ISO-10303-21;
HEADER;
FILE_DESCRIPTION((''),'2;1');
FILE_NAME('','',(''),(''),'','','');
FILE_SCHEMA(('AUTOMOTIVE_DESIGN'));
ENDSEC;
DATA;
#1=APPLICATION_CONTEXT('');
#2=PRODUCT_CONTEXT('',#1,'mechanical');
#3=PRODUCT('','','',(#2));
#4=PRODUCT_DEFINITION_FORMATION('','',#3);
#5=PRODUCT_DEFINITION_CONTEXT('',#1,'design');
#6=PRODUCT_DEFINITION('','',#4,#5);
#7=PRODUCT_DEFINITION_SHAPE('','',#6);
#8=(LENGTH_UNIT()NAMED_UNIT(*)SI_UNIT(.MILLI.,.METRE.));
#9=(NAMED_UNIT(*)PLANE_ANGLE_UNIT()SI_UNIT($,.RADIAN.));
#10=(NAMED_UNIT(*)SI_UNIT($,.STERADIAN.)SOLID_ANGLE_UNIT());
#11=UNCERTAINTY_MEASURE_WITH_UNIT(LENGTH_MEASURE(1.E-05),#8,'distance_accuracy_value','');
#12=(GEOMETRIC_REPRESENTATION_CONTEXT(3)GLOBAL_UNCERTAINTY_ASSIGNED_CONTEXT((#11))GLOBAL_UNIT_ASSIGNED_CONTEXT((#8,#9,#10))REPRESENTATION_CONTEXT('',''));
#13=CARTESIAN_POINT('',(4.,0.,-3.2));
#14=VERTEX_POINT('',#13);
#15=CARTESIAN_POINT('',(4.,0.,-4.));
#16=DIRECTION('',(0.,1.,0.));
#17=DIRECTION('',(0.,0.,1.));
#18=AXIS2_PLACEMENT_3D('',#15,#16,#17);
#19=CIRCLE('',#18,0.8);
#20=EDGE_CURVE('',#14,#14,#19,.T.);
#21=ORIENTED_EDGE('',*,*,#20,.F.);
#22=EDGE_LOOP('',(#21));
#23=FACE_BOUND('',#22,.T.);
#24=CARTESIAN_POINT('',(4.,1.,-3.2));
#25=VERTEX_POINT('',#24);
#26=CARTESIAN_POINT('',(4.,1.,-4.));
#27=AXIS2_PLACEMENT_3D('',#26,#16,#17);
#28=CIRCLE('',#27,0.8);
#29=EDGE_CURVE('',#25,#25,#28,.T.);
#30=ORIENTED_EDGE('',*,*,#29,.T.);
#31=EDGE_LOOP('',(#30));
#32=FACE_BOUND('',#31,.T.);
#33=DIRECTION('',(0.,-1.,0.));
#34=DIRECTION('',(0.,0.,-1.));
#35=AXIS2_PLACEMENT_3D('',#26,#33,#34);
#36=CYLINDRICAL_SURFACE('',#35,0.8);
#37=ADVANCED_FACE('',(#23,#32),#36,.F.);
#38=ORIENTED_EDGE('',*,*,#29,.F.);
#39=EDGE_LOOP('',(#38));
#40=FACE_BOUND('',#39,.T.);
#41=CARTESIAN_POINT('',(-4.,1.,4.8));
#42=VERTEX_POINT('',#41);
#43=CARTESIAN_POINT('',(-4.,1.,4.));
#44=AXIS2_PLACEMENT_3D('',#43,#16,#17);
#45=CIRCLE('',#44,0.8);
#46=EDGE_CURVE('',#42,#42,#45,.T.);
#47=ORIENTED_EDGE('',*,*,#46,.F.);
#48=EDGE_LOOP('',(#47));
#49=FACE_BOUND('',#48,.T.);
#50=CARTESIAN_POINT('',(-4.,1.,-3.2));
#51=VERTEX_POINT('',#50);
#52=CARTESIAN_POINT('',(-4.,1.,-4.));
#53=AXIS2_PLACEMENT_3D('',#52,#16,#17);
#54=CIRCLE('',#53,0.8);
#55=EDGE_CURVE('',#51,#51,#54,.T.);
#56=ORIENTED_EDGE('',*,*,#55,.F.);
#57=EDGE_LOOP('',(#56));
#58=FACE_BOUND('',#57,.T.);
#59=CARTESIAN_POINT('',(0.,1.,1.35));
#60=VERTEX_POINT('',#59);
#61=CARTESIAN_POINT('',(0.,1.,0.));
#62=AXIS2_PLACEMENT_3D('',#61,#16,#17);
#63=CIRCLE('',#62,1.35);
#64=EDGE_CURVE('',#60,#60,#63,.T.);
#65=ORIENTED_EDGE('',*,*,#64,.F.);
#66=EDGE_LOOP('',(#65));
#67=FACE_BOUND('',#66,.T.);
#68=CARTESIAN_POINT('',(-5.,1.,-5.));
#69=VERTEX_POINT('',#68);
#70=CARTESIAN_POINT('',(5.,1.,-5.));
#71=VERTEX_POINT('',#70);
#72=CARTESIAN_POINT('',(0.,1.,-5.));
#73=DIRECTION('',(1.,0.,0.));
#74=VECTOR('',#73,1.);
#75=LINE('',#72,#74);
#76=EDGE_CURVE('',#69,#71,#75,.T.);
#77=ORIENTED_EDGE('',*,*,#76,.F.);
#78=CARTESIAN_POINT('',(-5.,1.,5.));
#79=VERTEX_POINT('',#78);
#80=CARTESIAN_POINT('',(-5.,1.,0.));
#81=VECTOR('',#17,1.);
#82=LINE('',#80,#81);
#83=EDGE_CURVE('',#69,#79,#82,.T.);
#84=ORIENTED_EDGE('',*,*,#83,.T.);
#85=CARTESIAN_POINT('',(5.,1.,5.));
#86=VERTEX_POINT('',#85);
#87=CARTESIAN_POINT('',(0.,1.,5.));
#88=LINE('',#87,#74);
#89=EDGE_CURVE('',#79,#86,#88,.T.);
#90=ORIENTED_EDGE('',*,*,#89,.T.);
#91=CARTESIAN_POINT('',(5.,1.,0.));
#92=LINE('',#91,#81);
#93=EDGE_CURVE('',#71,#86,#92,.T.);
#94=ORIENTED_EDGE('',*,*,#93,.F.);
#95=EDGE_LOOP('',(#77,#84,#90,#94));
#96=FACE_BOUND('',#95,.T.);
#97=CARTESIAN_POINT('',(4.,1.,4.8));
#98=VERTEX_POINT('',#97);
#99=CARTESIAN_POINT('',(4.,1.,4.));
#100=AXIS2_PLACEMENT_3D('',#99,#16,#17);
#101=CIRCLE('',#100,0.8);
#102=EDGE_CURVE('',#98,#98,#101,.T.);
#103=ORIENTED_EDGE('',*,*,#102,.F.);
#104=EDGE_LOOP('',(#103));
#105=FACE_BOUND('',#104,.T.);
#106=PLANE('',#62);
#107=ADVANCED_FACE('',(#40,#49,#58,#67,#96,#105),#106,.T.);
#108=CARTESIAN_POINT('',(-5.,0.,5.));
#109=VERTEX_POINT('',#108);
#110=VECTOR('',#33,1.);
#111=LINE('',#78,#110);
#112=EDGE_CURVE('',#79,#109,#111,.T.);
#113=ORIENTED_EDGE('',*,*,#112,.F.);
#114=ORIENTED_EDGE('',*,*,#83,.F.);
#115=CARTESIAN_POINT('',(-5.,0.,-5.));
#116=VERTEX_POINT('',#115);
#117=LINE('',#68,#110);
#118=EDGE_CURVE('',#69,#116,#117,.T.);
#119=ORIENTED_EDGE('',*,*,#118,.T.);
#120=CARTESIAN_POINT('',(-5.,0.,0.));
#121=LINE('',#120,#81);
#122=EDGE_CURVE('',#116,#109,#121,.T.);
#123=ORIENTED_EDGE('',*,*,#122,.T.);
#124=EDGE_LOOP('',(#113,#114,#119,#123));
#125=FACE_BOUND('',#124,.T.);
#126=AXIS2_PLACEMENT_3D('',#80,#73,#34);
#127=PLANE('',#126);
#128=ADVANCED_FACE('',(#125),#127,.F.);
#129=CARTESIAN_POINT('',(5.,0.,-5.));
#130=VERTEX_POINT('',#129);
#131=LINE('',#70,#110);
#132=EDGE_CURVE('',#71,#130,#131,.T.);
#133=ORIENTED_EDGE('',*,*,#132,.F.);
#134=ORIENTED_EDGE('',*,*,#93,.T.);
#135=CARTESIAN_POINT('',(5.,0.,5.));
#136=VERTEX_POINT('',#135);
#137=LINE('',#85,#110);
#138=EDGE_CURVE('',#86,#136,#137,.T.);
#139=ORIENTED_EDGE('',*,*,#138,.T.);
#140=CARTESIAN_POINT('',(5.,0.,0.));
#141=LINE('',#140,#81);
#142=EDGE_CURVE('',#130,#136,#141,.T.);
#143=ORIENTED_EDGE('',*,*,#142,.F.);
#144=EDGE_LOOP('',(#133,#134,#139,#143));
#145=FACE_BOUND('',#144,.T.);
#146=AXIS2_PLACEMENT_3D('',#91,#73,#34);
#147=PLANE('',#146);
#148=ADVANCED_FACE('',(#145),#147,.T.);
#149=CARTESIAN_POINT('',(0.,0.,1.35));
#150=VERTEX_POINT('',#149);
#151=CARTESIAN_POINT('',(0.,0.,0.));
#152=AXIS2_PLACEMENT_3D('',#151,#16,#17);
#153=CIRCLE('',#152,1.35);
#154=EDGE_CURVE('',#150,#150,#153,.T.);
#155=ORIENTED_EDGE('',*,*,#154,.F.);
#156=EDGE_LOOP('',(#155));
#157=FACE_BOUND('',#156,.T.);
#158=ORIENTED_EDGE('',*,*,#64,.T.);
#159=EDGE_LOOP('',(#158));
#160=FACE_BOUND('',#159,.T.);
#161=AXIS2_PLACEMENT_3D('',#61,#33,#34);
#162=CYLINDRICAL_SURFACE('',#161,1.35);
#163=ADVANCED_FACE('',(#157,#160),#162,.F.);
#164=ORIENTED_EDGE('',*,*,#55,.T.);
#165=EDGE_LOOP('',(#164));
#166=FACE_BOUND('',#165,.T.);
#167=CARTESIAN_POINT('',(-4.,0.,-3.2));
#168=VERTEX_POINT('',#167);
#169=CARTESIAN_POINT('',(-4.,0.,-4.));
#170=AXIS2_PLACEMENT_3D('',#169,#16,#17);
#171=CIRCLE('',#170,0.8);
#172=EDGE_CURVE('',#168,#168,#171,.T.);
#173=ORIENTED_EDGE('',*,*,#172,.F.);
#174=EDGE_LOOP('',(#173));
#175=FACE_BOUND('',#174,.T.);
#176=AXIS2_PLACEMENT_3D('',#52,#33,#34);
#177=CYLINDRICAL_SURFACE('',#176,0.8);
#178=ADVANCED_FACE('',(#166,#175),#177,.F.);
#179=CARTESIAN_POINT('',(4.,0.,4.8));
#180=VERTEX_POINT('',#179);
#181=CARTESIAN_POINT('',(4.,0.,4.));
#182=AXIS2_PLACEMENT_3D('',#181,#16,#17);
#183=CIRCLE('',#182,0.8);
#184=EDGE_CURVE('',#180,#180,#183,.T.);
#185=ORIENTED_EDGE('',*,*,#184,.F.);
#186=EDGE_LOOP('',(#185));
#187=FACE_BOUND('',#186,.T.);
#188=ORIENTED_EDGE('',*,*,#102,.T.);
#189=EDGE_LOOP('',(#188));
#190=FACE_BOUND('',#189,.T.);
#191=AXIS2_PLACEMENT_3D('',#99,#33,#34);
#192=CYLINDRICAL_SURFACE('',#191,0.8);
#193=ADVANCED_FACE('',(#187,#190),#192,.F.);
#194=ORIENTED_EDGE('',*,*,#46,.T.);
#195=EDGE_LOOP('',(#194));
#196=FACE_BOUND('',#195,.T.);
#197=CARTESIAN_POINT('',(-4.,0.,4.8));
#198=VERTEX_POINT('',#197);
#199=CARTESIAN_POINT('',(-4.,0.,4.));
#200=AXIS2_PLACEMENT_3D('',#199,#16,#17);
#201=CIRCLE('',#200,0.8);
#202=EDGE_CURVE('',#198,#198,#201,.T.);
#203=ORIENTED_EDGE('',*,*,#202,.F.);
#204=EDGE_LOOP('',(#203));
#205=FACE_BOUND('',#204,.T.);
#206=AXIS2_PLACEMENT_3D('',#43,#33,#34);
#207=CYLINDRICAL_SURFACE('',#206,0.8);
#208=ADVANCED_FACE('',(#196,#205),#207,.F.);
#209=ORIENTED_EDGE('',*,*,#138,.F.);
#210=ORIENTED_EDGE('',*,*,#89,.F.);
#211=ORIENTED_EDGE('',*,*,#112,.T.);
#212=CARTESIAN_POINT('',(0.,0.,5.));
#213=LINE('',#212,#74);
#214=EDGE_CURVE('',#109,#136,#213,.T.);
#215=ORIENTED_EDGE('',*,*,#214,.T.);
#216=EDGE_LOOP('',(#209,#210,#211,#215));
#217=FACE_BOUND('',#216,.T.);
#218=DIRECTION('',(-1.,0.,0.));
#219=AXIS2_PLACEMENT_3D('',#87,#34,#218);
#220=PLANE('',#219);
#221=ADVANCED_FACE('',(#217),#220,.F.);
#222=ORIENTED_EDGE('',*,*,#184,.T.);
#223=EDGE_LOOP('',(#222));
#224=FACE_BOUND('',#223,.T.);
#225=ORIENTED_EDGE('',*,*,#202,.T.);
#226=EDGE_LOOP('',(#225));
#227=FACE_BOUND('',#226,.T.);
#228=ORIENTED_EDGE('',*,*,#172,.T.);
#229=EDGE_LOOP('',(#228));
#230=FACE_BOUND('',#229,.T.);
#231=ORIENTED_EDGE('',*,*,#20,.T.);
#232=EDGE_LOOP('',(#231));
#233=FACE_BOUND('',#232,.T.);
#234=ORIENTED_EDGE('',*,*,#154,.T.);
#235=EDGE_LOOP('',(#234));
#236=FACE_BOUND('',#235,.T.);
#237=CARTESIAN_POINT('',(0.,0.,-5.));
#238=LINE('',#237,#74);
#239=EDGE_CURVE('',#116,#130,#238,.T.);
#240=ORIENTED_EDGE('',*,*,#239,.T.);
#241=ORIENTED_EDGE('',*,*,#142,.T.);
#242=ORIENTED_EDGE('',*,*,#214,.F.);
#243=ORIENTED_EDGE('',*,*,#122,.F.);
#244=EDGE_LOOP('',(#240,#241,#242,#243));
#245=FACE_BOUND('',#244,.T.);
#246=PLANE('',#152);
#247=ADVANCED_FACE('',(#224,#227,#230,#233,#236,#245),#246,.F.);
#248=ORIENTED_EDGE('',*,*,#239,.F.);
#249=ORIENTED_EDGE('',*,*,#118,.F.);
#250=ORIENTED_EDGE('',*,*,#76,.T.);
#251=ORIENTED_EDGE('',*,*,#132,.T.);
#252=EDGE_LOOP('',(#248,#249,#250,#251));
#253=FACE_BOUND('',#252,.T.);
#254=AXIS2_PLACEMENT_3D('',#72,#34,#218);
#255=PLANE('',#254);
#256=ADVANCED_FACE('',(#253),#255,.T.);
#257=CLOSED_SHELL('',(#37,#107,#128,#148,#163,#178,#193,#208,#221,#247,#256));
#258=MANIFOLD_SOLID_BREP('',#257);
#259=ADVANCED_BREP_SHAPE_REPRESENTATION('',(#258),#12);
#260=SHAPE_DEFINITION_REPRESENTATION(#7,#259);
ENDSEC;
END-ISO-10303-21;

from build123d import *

# Parameters (mm, degrees)
SKETCH_1_W      = 10
SKETCH_1_H      = 10
SKETCH_1_R      = 1.35
SKETCH_1_R_2    = 0.8
EXTRUDE_1_DEPTH = 1


with BuildPart() as part:
    # 草图1 → 凸台-拉伸1 (new body)
    with BuildSketch(Plane(origin=(0, 0, 0), x_dir=(1, 0, 0), z_dir=(0, 1, 0))):
        Rectangle(SKETCH_1_W, SKETCH_1_H)
        with Locations(Location((0, 0, 0), (0, 0, 270))):
            Circle(SKETCH_1_R, mode=Mode.SUBTRACT)
        with Locations(Location((-4, 4, 0), (0, 0, 270))):
            Circle(SKETCH_1_R_2, mode=Mode.SUBTRACT)
        with Locations(Location((4, -4, 0), (0, 0, 270))):
            Circle(SKETCH_1_R_2, mode=Mode.SUBTRACT)
        with Locations(Location((4, 4, 0), (0, 0, 270))):
            Circle(SKETCH_1_R_2, mode=Mode.SUBTRACT)
        with Locations(Location((-4, -4, 0), (0, 0, 270))):
            Circle(SKETCH_1_R_2, mode=Mode.SUBTRACT)
    extrude(amount=EXTRUDE_1_DEPTH)


solid = part.part
